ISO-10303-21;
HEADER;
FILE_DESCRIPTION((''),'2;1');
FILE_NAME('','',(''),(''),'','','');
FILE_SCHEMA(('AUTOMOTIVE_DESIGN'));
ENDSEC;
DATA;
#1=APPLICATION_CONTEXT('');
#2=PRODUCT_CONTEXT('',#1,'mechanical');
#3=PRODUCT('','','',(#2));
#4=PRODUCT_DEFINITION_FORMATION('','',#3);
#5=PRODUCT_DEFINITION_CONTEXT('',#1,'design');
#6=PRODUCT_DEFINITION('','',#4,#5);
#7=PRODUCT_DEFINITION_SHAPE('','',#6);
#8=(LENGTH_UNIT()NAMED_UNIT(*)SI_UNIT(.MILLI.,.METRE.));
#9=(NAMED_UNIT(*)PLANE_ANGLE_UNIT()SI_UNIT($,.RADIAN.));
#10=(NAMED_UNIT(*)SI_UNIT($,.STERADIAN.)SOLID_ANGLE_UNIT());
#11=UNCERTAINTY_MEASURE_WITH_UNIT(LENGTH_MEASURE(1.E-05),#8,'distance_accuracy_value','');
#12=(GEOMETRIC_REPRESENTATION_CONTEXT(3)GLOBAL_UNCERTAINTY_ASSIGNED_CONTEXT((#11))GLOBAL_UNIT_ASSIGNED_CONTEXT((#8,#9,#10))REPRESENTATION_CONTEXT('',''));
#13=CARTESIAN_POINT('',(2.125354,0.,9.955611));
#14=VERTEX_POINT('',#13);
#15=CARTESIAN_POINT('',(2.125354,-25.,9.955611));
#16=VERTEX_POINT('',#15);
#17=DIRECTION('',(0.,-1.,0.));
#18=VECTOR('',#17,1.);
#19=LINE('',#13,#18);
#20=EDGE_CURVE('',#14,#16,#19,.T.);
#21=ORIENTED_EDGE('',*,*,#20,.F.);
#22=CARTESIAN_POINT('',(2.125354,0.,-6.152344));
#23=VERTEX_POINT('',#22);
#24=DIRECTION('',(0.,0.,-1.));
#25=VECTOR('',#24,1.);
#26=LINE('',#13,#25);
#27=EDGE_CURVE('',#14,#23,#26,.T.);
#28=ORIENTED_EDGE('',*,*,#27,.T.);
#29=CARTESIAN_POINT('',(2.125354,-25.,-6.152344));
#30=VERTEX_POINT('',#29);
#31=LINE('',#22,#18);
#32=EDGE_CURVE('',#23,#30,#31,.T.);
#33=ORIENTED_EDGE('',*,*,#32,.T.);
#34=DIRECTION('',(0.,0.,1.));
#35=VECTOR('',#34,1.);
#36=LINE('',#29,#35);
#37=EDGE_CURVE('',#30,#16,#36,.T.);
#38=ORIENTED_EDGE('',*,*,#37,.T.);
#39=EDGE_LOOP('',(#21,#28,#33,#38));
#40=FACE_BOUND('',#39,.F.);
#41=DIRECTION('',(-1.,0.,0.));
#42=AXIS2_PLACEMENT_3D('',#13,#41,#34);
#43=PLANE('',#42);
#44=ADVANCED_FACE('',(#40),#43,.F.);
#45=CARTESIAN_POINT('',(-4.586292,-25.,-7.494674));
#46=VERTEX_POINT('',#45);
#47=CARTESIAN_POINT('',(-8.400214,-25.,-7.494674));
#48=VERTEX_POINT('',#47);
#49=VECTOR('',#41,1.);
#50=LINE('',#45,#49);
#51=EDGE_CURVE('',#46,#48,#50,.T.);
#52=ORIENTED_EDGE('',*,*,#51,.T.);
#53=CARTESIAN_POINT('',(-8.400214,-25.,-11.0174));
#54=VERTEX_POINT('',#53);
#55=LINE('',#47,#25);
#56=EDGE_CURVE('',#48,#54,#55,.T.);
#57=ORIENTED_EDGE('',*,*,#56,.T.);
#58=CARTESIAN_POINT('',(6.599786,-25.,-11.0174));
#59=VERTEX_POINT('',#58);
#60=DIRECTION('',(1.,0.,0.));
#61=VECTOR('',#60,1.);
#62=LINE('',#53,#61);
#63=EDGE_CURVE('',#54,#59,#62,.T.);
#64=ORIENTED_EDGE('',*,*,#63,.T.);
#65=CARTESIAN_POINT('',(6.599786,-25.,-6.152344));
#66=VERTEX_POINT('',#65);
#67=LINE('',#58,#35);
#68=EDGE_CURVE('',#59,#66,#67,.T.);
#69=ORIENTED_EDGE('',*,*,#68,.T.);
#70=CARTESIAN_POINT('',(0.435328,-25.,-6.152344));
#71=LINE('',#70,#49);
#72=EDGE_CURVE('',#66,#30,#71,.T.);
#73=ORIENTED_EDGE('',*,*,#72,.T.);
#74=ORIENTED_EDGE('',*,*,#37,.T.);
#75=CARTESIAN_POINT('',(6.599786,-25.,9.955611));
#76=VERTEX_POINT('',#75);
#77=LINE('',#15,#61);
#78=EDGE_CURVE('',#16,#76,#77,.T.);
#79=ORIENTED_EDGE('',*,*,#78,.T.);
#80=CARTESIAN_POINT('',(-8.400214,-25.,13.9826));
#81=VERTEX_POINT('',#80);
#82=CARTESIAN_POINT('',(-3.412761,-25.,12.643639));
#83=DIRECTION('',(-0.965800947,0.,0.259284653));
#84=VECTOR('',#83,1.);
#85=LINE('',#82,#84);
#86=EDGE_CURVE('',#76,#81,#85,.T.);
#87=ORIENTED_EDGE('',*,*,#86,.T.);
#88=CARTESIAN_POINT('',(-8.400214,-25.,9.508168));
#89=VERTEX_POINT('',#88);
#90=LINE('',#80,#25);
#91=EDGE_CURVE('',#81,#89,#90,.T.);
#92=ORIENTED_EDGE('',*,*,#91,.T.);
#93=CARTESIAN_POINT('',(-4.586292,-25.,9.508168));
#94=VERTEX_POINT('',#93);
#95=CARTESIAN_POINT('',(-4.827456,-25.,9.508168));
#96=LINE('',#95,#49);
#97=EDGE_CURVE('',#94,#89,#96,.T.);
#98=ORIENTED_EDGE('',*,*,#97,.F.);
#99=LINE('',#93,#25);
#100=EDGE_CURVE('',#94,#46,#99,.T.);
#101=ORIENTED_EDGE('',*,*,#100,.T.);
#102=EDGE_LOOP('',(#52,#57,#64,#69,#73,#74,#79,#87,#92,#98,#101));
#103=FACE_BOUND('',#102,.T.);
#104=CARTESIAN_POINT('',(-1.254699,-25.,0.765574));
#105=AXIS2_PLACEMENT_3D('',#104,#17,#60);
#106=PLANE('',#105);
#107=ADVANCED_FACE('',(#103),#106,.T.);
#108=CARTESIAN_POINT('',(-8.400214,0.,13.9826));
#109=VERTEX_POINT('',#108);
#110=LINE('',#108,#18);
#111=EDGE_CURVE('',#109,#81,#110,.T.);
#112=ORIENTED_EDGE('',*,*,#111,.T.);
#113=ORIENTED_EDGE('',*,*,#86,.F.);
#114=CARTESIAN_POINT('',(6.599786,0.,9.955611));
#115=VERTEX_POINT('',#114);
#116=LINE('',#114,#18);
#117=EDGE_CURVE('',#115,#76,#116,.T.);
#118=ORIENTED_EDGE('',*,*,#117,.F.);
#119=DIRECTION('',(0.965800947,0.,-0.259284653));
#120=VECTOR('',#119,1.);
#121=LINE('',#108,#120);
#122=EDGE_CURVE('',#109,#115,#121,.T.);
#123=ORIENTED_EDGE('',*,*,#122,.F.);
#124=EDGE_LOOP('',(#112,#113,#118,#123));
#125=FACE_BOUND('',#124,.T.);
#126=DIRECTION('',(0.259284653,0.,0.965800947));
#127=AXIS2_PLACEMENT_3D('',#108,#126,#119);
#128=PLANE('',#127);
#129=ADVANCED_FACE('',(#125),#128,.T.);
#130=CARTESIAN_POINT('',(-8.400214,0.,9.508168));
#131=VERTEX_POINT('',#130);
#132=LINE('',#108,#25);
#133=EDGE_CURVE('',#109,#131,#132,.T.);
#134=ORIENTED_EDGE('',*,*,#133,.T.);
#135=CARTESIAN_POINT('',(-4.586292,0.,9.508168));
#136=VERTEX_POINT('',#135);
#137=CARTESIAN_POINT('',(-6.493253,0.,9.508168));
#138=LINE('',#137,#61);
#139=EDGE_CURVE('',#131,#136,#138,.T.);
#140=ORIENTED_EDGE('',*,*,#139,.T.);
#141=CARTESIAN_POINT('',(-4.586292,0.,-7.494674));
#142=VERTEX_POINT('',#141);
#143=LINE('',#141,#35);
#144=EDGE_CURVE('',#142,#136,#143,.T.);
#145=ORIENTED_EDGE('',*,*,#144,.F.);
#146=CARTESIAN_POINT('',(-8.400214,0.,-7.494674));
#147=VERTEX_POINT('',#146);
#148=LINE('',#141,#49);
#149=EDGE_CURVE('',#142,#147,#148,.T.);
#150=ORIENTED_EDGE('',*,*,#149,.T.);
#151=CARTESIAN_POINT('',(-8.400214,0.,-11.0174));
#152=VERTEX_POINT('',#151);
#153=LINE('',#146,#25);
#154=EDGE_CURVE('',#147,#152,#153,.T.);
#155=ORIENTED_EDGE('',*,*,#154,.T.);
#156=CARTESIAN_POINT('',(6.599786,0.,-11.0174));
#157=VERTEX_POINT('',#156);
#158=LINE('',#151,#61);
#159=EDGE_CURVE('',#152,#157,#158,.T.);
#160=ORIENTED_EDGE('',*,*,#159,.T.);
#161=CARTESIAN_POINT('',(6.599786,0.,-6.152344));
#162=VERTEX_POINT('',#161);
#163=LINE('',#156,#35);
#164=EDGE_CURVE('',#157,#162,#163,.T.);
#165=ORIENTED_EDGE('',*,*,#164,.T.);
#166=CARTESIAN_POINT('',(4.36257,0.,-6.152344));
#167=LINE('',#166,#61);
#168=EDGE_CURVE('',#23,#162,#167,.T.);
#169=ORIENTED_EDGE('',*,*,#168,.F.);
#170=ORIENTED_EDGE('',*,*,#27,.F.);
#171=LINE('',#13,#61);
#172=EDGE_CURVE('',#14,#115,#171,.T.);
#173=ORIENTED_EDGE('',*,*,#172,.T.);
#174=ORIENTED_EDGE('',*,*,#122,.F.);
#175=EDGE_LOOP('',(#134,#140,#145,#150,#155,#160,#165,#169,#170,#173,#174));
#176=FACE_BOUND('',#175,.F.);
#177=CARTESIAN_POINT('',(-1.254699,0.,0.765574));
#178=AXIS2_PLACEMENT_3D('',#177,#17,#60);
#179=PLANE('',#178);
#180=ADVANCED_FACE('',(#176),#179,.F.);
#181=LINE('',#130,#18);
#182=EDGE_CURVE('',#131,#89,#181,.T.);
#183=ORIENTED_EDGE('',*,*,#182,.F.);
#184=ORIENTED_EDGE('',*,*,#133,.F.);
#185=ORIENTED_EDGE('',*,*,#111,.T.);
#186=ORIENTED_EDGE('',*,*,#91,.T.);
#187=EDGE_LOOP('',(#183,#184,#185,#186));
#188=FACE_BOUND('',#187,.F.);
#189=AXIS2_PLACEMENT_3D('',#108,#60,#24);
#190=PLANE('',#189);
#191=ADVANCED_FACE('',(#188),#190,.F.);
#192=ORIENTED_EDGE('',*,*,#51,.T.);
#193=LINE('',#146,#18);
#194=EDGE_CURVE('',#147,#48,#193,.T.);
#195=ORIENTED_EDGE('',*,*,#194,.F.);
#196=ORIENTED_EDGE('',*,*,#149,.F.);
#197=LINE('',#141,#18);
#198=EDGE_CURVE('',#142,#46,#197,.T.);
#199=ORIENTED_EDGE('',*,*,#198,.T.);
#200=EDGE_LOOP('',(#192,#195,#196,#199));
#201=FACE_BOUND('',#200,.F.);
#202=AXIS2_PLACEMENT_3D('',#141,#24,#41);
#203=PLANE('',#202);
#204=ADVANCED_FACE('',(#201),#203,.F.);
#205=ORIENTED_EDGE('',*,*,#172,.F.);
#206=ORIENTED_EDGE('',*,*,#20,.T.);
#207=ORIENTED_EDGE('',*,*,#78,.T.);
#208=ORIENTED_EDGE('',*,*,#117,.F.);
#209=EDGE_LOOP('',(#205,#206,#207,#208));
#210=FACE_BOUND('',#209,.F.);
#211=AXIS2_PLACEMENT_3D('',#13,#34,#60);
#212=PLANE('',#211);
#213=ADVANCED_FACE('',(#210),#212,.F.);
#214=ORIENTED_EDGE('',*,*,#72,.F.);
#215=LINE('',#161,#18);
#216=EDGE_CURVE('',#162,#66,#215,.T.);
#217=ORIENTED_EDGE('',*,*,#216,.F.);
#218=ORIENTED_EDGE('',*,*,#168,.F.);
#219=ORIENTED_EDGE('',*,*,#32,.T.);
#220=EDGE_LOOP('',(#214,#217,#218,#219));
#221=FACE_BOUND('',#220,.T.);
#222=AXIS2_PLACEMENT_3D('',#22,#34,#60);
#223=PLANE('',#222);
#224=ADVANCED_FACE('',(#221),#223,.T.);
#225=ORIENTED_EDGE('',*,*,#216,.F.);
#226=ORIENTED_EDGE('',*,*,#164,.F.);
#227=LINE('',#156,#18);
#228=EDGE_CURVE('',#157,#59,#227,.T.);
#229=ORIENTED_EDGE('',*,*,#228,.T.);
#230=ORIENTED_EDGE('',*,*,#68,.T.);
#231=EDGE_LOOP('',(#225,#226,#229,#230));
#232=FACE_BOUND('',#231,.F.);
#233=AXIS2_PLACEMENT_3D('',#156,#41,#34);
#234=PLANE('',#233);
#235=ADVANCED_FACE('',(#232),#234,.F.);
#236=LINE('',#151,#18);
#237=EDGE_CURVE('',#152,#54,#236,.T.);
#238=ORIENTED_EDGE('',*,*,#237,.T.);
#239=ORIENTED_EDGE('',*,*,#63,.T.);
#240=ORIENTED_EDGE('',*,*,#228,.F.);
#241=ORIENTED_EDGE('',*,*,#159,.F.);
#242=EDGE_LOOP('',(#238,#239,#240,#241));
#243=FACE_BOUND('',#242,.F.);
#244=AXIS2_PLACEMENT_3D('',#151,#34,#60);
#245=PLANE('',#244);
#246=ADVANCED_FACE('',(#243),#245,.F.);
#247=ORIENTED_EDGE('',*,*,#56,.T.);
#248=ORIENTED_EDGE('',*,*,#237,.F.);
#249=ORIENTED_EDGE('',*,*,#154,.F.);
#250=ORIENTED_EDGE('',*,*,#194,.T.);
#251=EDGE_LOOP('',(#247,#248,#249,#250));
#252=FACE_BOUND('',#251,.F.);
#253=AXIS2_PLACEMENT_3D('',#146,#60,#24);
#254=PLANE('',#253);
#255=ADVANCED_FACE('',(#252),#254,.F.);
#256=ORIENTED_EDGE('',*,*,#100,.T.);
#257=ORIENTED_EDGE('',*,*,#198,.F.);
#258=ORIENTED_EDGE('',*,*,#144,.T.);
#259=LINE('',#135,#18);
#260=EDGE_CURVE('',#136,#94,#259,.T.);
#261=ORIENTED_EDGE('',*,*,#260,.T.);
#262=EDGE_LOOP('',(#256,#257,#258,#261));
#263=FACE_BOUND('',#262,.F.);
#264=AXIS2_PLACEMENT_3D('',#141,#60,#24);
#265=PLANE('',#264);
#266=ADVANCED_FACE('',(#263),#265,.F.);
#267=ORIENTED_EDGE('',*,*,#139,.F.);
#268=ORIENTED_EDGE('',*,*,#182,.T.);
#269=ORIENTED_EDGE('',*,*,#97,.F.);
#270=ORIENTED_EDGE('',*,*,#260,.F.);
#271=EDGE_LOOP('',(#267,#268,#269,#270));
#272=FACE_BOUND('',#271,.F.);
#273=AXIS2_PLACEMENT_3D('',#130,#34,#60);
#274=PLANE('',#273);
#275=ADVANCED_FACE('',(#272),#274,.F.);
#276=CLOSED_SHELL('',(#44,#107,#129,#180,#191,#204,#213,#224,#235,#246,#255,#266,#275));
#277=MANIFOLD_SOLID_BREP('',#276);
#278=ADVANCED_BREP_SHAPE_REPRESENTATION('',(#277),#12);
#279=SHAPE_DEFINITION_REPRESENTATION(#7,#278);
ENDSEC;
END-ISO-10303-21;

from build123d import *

# Parameters (mm, degrees)
F0_W     = 3.813922
F0_H     = 17.002841
F0_W_2   = 4.474432
F0_H_2   = 16.107955
F1_DEPTH = 25
F2_DEPTH = 25.001
F3_DEPTH = 46


with BuildPart() as f1:
    # F0 (on Front) → F1 (new body)
    with BuildSketch(Plane.XZ):
        Polygon((6.599786, 9.955611), (-8.400214, 13.9826), (-8.400214, 9.508167), (-4.586292, 9.508167), (-4.586292, -7.494674), (-8.400214, -7.494674), (-8.400214, -11.0174), (6.599786, -11.0174), (6.599786, -6.152344), (2.125354, -6.152344), (2.125354, 9.955611), align=None)
        Polygon((6.599786, 13.9826), (-8.400214, 13.9826), (6.599786, 9.955611), align=None)
        with Locations((-6.493253, 1.006747)):
            Rectangle(F0_W, F0_H)
        with Locations((4.36257, 1.901633)):
            Rectangle(F0_W_2, F0_H_2)
    extrude(amount=F1_DEPTH)

    # F0 (on Front) → F2 (cut, through all)
    with BuildSketch(Plane.XZ):
        with Locations((4.36257, 1.901633)):
            Rectangle(F0_W_2, F0_H_2)
        with Locations((-6.493253, 1.006747)):
            Rectangle(F0_W, F0_H)
    extrude(amount=F2_DEPTH, mode=Mode.SUBTRACT)

    # F0 (on Front) → F3 (cut)
    with BuildSketch(Plane.XZ):
        Polygon((6.599786, 13.9826), (-8.400214, 13.9826), (6.599786, 9.955611), align=None)
    extrude(amount=F3_DEPTH, mode=Mode.SUBTRACT)


solid = f1.part
